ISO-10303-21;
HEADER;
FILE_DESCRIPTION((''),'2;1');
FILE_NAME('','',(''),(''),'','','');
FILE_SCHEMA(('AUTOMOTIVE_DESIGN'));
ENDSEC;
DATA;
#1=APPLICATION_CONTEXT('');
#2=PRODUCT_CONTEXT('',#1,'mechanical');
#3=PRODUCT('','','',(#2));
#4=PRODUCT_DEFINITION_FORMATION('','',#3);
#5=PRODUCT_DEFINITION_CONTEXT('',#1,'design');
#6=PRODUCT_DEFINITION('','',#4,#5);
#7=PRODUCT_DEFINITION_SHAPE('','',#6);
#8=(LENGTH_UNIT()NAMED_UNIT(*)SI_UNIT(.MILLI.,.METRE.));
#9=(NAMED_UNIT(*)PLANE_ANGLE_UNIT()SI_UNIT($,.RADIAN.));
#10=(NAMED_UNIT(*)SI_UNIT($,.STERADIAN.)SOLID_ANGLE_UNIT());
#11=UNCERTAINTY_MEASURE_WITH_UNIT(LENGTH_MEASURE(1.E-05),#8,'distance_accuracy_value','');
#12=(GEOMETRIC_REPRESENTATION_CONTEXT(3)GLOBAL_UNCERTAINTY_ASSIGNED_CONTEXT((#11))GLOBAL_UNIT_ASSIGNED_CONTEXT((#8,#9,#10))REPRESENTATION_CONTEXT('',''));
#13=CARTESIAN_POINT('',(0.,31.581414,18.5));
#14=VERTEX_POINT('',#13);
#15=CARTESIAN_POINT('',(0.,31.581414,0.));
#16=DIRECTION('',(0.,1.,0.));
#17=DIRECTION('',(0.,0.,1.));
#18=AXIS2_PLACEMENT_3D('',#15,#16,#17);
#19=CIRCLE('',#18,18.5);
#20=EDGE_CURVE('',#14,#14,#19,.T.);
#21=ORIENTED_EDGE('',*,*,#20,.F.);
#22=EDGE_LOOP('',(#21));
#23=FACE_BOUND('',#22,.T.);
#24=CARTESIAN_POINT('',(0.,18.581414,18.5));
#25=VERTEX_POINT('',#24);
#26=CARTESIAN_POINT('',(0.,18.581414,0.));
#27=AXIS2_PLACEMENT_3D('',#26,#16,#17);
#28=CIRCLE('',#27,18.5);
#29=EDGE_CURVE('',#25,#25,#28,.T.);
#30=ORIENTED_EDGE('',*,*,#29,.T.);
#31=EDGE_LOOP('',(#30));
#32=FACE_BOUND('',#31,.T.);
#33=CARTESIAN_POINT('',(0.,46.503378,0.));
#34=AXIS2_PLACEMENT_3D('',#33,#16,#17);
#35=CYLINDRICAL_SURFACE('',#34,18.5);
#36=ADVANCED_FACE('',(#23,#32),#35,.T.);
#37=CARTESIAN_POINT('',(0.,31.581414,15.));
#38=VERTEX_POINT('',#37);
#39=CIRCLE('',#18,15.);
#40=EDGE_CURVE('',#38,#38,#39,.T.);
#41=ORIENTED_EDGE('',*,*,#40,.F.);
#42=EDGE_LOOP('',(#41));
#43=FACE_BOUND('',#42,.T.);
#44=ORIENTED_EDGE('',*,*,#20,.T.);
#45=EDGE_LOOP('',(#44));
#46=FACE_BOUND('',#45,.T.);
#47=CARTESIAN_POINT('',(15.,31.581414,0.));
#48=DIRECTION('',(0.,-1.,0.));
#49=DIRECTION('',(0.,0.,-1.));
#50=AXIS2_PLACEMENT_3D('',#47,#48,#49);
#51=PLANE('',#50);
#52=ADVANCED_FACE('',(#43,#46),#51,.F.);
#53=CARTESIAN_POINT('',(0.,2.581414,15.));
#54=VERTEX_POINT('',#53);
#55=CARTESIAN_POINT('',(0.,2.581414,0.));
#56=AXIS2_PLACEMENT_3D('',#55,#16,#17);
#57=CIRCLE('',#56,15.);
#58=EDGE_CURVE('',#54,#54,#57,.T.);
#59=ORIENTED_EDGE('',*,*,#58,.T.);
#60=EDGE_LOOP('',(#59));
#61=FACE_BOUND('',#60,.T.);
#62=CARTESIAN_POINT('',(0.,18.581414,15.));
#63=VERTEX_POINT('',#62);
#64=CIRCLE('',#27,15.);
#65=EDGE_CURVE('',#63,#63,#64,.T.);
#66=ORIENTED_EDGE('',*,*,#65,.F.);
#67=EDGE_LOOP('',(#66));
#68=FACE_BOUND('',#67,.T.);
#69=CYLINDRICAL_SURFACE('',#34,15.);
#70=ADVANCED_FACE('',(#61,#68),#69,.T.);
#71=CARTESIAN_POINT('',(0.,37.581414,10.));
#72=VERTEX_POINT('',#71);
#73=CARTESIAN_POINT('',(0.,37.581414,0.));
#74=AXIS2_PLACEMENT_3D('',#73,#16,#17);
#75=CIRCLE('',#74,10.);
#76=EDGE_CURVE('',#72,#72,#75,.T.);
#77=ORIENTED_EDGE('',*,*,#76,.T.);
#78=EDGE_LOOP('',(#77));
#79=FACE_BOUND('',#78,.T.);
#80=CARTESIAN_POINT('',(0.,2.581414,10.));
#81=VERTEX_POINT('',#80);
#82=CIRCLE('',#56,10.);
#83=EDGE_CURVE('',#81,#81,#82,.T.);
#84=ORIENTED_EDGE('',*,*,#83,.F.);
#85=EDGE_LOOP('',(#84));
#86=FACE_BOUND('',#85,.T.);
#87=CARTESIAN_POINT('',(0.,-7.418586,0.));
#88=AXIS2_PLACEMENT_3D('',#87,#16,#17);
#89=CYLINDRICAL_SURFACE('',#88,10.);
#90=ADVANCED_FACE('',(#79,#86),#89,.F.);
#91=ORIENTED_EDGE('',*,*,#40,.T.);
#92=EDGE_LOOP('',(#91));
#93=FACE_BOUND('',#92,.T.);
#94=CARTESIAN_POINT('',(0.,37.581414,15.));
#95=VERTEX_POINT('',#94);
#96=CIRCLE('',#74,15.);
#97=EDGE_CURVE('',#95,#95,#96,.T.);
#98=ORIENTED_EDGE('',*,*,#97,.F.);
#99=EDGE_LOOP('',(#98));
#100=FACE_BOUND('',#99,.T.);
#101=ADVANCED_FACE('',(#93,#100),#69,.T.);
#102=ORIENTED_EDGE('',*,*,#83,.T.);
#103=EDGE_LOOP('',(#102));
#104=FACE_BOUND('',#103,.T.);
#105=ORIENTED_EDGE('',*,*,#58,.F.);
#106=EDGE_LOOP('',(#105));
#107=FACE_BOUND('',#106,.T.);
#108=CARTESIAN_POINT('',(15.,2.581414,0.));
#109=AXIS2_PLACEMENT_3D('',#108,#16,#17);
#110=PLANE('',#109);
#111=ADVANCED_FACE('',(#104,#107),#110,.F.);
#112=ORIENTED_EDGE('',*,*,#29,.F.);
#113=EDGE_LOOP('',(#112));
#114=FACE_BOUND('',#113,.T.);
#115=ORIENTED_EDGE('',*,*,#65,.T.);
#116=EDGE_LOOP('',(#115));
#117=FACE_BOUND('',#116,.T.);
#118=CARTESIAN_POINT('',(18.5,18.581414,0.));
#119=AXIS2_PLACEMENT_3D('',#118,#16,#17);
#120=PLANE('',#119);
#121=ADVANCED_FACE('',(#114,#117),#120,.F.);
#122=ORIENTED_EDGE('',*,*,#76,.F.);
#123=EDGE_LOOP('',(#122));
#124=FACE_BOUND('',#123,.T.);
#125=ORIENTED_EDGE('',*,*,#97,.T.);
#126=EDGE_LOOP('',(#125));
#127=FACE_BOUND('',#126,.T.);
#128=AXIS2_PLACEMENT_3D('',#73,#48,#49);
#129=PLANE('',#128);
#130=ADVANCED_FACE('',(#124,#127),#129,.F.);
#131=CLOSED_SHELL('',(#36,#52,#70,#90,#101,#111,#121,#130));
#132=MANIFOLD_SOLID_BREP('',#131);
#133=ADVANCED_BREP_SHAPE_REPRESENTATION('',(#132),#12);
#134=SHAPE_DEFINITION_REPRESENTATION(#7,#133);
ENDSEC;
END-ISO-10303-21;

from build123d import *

# Parameters (mm, degrees)
SKETCH_2_R          = 10
CUT_EXTRUDE_1_DEPTH = 45


with BuildPart() as part:
    # Эскиз1 → Повернуть1 (revolve)
    with BuildSketch(Plane.XY, mode=Mode.PRIVATE) as revolve_1_sk:
        Polygon((0, 37.581413689), (15, 37.581413689), (15, 31.581413689), (18.5, 31.581413689), (18.5, 18.581413689), (15, 18.581413689), (15, 2.581413689), (0, 2.581413689), align=None)
    revolve(revolve_1_sk.sketch.rotate(Axis((0, 46.50337763, 0), (0, -1, 0)), 90), axis=Axis((0, 46.50337763, 0), (0, -1, 0)))

    # Эскиз2 → Вырез-Вытянуть1 (cut)
    with BuildSketch(Plane(origin=(0, 37.581413689, 0), x_dir=(1, 0, 0), z_dir=(0, 1, 0))):
        with Locations(Location((0, 0, 0), (0, 0, 270))):
            Circle(SKETCH_2_R)
    extrude(amount=-CUT_EXTRUDE_1_DEPTH, mode=Mode.SUBTRACT)


solid = part.part
